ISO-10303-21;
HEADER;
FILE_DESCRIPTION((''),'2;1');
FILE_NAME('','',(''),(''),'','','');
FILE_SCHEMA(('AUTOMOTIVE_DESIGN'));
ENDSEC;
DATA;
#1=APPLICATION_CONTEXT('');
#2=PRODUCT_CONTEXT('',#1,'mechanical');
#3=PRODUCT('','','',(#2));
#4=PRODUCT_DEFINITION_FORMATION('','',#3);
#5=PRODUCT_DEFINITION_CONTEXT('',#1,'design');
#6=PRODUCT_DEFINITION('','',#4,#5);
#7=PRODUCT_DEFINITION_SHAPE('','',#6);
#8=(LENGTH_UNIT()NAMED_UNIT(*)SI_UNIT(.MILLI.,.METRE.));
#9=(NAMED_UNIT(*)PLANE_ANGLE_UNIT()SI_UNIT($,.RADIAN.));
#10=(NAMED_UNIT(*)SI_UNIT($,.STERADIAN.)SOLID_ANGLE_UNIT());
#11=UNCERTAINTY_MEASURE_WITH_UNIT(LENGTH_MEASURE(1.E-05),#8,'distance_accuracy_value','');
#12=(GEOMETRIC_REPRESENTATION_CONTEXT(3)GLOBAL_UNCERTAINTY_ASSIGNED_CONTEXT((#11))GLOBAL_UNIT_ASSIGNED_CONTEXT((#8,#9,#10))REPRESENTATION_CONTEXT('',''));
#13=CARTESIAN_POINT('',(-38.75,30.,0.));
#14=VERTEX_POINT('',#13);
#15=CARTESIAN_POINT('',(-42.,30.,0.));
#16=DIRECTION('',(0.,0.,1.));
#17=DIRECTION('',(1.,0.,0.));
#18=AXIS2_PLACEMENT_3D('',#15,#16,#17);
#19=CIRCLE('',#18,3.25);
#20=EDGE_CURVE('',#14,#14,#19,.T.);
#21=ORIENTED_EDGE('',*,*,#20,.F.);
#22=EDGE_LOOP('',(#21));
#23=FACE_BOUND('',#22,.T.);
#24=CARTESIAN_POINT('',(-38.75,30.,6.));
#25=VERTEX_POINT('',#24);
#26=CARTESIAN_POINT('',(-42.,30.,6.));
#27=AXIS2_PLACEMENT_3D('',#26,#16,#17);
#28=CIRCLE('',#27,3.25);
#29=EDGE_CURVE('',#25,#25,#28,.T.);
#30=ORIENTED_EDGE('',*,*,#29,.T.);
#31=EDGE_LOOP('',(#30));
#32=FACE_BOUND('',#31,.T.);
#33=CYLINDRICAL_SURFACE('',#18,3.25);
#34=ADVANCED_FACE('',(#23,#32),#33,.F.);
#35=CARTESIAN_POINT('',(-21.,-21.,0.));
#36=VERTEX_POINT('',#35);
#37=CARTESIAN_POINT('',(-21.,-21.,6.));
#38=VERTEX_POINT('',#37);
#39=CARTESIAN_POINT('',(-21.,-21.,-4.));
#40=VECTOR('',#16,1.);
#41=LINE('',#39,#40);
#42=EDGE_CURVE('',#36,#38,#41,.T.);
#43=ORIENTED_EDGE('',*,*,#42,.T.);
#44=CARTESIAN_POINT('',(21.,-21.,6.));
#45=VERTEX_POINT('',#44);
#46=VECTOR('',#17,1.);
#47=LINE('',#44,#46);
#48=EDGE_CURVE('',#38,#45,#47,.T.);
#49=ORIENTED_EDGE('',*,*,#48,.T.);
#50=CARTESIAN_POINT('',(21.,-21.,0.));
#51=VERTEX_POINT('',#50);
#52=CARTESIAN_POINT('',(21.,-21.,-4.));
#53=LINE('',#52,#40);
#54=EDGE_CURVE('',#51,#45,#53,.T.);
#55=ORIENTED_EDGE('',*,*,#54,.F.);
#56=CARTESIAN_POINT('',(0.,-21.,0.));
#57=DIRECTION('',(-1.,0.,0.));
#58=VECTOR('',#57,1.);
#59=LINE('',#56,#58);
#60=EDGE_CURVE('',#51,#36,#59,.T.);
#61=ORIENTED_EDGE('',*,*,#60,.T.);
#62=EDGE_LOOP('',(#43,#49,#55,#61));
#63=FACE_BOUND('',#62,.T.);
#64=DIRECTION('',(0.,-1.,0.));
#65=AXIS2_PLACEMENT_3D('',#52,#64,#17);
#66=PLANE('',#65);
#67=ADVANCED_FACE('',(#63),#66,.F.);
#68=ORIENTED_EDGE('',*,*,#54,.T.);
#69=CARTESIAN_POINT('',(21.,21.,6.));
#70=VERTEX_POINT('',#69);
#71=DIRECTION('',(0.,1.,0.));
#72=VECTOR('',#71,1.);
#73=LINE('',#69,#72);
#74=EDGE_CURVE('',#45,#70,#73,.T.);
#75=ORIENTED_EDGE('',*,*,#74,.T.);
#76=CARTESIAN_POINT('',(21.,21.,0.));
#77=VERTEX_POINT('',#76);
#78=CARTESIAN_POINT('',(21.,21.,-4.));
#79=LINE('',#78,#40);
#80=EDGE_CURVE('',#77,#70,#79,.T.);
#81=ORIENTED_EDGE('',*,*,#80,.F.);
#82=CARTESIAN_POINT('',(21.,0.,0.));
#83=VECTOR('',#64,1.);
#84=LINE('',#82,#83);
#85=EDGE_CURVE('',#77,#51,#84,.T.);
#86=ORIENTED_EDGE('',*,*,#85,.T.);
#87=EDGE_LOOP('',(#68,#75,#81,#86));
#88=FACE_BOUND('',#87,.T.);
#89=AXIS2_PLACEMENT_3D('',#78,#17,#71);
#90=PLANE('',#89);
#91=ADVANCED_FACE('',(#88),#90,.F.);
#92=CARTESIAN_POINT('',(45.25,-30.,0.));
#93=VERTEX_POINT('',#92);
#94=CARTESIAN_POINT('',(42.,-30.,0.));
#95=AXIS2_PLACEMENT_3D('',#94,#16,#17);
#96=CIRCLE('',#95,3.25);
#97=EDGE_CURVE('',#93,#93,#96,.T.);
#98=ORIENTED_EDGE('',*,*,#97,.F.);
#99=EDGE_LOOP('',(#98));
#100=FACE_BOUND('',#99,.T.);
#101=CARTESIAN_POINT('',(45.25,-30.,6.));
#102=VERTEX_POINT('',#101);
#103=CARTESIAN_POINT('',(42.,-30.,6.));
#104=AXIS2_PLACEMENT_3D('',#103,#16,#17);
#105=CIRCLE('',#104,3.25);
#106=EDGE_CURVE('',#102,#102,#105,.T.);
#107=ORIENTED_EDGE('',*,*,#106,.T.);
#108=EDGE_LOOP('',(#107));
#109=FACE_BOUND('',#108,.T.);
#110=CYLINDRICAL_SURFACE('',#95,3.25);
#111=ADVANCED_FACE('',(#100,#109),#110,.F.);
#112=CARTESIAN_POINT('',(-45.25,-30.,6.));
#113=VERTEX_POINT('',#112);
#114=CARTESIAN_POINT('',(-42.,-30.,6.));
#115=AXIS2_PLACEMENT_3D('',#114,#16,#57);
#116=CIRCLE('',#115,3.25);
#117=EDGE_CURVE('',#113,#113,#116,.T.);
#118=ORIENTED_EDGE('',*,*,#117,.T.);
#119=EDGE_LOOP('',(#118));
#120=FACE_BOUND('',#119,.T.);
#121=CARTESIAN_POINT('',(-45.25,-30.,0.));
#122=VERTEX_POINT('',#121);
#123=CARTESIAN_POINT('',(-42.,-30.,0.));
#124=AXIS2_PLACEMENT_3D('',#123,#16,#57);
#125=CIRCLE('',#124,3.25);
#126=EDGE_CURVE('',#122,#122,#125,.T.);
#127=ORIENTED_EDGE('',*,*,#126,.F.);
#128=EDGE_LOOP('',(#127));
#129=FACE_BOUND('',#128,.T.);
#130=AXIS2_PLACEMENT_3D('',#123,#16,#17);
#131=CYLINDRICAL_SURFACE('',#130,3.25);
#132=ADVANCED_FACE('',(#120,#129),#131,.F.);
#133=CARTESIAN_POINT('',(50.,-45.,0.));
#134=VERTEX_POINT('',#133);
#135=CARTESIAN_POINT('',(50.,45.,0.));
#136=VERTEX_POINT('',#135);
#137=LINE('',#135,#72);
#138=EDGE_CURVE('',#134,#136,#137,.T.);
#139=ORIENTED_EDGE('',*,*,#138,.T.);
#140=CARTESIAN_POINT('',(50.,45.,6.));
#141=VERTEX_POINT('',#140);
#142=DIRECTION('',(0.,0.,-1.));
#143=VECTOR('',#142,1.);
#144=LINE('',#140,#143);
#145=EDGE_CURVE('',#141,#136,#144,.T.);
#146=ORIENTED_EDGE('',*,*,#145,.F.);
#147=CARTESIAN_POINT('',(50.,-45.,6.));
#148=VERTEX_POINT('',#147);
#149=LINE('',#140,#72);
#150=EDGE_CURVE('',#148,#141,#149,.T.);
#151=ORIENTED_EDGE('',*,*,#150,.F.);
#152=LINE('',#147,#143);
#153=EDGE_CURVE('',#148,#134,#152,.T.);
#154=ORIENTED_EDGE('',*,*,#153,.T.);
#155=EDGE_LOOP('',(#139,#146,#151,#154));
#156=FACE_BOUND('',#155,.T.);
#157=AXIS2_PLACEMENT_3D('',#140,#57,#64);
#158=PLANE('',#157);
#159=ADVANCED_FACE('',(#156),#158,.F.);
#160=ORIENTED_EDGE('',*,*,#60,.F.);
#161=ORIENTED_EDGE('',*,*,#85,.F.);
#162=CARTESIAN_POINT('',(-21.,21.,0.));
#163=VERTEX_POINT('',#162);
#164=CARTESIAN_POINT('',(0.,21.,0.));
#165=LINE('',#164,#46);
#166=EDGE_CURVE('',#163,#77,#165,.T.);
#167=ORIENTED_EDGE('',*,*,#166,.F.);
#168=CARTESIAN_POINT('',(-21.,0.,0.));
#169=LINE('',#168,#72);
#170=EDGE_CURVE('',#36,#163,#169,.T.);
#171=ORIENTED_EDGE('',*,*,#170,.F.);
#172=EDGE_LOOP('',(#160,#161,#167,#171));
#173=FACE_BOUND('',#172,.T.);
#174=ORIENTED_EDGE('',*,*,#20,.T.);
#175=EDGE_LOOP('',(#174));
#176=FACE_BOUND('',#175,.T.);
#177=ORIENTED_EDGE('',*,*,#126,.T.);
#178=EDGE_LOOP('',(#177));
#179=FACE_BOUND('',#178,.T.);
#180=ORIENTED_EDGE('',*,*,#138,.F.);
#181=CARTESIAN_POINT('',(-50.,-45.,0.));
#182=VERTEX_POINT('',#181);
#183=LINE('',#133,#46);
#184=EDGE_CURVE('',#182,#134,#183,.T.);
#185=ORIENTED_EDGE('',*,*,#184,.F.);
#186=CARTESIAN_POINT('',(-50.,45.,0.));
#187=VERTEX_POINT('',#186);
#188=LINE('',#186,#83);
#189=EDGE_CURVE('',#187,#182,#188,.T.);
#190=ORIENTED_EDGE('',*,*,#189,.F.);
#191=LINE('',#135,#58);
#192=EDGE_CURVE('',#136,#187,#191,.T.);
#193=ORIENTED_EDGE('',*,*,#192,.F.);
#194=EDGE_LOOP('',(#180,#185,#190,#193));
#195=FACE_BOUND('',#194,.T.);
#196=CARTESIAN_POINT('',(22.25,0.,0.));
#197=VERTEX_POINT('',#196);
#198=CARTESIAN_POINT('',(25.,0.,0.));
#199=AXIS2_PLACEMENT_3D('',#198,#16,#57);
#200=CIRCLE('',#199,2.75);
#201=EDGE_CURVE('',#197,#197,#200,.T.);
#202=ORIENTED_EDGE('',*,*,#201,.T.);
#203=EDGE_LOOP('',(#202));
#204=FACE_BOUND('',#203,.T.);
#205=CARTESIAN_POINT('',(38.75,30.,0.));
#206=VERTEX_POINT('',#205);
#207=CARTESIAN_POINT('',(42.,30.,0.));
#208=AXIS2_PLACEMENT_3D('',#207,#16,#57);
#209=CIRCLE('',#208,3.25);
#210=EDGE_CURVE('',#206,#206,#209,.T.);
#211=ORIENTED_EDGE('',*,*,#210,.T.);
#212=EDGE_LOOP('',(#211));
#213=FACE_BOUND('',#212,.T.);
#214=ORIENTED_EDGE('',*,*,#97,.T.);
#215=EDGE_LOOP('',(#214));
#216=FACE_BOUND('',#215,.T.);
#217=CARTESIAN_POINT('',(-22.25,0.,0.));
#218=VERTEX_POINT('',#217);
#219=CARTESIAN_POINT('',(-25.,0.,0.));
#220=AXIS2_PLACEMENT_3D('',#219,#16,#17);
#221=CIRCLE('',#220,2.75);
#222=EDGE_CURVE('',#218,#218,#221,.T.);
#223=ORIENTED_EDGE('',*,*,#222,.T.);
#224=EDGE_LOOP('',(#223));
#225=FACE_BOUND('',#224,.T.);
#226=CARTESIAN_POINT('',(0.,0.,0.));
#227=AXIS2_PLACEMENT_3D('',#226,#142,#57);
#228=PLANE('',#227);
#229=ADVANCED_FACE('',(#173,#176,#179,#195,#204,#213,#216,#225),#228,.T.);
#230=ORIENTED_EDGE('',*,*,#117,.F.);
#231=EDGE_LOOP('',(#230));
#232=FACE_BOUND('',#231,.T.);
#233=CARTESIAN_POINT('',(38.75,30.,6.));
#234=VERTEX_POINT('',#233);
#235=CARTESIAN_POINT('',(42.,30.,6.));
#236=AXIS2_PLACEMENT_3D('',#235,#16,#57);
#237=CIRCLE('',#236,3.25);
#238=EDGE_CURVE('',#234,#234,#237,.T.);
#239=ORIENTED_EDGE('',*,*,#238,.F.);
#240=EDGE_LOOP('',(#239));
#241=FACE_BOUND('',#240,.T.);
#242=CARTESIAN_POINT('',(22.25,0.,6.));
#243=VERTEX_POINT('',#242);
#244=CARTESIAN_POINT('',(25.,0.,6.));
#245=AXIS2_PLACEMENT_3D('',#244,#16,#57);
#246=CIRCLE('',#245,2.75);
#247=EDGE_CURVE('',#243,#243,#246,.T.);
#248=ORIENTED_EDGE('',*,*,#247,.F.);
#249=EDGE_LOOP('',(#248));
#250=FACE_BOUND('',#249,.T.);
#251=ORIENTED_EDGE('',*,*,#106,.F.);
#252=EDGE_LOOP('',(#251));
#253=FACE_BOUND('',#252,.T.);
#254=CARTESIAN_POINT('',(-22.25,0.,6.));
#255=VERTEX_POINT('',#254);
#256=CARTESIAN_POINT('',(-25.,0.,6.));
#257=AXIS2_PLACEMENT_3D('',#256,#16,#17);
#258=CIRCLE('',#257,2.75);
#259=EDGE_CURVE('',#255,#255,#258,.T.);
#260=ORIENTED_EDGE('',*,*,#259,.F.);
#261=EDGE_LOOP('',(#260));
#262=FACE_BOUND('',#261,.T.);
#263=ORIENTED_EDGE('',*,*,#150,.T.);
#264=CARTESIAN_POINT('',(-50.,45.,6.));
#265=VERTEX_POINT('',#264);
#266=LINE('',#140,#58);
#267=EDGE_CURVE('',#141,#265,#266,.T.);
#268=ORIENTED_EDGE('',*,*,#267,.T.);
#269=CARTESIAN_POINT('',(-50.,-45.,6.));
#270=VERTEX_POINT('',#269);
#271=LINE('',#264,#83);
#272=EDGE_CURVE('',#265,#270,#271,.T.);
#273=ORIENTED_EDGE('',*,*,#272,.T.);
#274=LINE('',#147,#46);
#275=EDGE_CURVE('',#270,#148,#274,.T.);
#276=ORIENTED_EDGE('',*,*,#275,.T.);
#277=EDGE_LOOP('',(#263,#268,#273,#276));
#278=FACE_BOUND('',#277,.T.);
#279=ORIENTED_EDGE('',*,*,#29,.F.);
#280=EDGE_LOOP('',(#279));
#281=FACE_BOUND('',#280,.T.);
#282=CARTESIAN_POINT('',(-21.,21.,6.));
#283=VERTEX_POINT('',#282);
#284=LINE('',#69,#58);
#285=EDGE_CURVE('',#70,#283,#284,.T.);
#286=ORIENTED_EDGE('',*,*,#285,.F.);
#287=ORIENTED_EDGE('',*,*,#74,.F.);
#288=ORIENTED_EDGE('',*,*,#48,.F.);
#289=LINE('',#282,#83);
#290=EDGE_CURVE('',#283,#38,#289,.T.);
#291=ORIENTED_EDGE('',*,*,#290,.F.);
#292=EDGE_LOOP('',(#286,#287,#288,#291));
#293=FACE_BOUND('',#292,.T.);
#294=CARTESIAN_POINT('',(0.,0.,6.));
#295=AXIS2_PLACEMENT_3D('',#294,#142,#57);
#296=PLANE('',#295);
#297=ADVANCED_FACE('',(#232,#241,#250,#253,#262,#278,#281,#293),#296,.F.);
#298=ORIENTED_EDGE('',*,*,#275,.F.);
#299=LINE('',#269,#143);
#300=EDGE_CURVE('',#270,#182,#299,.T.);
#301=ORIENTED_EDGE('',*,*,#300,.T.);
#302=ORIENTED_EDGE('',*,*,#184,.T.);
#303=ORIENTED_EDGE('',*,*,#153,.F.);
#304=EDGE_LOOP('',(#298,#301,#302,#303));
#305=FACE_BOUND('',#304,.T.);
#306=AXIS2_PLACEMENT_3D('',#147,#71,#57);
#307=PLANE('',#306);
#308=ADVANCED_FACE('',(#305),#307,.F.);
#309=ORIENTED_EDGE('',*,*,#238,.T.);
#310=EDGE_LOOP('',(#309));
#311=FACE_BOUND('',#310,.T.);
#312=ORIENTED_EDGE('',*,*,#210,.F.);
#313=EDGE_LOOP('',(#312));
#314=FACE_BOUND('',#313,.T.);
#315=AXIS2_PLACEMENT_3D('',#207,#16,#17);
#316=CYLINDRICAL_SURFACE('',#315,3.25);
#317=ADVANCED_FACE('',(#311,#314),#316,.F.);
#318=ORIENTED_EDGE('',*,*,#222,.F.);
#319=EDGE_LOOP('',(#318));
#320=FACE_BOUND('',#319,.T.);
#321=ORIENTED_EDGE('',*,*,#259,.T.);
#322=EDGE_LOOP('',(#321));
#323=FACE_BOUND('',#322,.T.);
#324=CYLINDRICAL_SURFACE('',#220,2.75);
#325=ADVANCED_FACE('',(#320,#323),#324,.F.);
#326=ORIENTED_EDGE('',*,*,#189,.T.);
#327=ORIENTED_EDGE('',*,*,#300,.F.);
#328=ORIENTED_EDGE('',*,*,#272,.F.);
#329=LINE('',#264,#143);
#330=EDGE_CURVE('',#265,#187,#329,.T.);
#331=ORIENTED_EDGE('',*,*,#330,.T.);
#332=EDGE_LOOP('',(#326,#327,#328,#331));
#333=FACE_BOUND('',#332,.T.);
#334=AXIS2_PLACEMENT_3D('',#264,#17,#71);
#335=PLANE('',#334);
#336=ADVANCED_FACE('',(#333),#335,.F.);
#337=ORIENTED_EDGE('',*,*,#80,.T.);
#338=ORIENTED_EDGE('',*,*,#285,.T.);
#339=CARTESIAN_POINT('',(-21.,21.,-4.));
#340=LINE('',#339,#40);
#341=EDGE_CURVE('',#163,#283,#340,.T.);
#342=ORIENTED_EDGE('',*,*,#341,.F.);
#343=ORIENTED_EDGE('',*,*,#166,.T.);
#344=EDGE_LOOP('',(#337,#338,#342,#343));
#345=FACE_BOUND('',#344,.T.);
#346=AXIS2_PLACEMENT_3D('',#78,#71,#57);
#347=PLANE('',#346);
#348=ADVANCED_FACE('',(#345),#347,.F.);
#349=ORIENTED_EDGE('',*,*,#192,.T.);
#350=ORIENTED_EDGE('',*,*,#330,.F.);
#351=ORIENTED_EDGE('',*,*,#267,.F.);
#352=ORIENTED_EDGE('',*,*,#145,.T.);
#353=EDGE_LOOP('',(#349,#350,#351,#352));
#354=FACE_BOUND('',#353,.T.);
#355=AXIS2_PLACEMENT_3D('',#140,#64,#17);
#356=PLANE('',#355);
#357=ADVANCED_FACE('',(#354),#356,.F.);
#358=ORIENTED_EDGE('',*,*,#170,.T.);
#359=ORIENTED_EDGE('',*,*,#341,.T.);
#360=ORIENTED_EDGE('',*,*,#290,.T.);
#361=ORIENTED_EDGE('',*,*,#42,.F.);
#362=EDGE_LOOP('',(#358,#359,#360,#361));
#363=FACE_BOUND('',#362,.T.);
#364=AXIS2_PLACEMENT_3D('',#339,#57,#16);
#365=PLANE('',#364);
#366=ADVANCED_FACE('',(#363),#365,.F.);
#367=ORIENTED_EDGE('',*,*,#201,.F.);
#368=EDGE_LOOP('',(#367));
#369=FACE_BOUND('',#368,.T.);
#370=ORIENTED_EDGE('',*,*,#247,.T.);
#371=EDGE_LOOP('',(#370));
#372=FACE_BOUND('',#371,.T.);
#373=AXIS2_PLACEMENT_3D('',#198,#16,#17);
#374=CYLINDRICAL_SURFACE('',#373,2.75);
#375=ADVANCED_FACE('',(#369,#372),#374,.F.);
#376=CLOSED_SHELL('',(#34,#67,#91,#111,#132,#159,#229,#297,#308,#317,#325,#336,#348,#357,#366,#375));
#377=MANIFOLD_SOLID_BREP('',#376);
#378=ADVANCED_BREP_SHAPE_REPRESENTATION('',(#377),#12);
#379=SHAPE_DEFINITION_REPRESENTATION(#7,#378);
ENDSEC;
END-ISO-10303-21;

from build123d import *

# Parameters (mm, degrees)
SKETCH1_W           = 100
SKETCH1_H           = 90
BOSS_EXTRUDE1_DEPTH = 6
SKETCH2_R           = 2.75
SKETCH2_R_2         = 3.25
CUT_EXTRUDE1_DEPTH  = 68.53517602
SKETCH3_W           = 42
SKETCH3_H           = 42
CUT_EXTRUDE2_DEPTH  = 10


with BuildPart() as part:
    # Sketch1 → Boss-Extrude1 (new body)
    with BuildSketch(Plane.XY):
        Rectangle(SKETCH1_W, SKETCH1_H)
    extrude(amount=BOSS_EXTRUDE1_DEPTH)

    # Sketch2 → Cut-Extrude1 (cut, through all)
    with BuildSketch(Plane.XY.offset(6)):
        with Locations((-25, 0)):
            Circle(SKETCH2_R)
        with Locations((-42, 30)):
            Circle(SKETCH2_R_2)
        with Locations(Location((-42, -30, 0), (0, 0, 180))):
            Circle(SKETCH2_R_2)
        with Locations((42, -30)):
            Circle(SKETCH2_R_2)
        with Locations(Location((25, 0, 0), (0, 0, 180))):
            Circle(SKETCH2_R)
        with Locations(Location((42, 30, 0), (0, 0, 180))):
            Circle(SKETCH2_R_2)
    extrude(amount=-CUT_EXTRUDE1_DEPTH, mode=Mode.SUBTRACT)

    # Sketch3 → Cut-Extrude2 (cut)
    with BuildSketch(Plane.XY.offset(6)):
        Rectangle(SKETCH3_W, SKETCH3_H)
    extrude(amount=-CUT_EXTRUDE2_DEPTH, mode=Mode.SUBTRACT)


solid = part.part
